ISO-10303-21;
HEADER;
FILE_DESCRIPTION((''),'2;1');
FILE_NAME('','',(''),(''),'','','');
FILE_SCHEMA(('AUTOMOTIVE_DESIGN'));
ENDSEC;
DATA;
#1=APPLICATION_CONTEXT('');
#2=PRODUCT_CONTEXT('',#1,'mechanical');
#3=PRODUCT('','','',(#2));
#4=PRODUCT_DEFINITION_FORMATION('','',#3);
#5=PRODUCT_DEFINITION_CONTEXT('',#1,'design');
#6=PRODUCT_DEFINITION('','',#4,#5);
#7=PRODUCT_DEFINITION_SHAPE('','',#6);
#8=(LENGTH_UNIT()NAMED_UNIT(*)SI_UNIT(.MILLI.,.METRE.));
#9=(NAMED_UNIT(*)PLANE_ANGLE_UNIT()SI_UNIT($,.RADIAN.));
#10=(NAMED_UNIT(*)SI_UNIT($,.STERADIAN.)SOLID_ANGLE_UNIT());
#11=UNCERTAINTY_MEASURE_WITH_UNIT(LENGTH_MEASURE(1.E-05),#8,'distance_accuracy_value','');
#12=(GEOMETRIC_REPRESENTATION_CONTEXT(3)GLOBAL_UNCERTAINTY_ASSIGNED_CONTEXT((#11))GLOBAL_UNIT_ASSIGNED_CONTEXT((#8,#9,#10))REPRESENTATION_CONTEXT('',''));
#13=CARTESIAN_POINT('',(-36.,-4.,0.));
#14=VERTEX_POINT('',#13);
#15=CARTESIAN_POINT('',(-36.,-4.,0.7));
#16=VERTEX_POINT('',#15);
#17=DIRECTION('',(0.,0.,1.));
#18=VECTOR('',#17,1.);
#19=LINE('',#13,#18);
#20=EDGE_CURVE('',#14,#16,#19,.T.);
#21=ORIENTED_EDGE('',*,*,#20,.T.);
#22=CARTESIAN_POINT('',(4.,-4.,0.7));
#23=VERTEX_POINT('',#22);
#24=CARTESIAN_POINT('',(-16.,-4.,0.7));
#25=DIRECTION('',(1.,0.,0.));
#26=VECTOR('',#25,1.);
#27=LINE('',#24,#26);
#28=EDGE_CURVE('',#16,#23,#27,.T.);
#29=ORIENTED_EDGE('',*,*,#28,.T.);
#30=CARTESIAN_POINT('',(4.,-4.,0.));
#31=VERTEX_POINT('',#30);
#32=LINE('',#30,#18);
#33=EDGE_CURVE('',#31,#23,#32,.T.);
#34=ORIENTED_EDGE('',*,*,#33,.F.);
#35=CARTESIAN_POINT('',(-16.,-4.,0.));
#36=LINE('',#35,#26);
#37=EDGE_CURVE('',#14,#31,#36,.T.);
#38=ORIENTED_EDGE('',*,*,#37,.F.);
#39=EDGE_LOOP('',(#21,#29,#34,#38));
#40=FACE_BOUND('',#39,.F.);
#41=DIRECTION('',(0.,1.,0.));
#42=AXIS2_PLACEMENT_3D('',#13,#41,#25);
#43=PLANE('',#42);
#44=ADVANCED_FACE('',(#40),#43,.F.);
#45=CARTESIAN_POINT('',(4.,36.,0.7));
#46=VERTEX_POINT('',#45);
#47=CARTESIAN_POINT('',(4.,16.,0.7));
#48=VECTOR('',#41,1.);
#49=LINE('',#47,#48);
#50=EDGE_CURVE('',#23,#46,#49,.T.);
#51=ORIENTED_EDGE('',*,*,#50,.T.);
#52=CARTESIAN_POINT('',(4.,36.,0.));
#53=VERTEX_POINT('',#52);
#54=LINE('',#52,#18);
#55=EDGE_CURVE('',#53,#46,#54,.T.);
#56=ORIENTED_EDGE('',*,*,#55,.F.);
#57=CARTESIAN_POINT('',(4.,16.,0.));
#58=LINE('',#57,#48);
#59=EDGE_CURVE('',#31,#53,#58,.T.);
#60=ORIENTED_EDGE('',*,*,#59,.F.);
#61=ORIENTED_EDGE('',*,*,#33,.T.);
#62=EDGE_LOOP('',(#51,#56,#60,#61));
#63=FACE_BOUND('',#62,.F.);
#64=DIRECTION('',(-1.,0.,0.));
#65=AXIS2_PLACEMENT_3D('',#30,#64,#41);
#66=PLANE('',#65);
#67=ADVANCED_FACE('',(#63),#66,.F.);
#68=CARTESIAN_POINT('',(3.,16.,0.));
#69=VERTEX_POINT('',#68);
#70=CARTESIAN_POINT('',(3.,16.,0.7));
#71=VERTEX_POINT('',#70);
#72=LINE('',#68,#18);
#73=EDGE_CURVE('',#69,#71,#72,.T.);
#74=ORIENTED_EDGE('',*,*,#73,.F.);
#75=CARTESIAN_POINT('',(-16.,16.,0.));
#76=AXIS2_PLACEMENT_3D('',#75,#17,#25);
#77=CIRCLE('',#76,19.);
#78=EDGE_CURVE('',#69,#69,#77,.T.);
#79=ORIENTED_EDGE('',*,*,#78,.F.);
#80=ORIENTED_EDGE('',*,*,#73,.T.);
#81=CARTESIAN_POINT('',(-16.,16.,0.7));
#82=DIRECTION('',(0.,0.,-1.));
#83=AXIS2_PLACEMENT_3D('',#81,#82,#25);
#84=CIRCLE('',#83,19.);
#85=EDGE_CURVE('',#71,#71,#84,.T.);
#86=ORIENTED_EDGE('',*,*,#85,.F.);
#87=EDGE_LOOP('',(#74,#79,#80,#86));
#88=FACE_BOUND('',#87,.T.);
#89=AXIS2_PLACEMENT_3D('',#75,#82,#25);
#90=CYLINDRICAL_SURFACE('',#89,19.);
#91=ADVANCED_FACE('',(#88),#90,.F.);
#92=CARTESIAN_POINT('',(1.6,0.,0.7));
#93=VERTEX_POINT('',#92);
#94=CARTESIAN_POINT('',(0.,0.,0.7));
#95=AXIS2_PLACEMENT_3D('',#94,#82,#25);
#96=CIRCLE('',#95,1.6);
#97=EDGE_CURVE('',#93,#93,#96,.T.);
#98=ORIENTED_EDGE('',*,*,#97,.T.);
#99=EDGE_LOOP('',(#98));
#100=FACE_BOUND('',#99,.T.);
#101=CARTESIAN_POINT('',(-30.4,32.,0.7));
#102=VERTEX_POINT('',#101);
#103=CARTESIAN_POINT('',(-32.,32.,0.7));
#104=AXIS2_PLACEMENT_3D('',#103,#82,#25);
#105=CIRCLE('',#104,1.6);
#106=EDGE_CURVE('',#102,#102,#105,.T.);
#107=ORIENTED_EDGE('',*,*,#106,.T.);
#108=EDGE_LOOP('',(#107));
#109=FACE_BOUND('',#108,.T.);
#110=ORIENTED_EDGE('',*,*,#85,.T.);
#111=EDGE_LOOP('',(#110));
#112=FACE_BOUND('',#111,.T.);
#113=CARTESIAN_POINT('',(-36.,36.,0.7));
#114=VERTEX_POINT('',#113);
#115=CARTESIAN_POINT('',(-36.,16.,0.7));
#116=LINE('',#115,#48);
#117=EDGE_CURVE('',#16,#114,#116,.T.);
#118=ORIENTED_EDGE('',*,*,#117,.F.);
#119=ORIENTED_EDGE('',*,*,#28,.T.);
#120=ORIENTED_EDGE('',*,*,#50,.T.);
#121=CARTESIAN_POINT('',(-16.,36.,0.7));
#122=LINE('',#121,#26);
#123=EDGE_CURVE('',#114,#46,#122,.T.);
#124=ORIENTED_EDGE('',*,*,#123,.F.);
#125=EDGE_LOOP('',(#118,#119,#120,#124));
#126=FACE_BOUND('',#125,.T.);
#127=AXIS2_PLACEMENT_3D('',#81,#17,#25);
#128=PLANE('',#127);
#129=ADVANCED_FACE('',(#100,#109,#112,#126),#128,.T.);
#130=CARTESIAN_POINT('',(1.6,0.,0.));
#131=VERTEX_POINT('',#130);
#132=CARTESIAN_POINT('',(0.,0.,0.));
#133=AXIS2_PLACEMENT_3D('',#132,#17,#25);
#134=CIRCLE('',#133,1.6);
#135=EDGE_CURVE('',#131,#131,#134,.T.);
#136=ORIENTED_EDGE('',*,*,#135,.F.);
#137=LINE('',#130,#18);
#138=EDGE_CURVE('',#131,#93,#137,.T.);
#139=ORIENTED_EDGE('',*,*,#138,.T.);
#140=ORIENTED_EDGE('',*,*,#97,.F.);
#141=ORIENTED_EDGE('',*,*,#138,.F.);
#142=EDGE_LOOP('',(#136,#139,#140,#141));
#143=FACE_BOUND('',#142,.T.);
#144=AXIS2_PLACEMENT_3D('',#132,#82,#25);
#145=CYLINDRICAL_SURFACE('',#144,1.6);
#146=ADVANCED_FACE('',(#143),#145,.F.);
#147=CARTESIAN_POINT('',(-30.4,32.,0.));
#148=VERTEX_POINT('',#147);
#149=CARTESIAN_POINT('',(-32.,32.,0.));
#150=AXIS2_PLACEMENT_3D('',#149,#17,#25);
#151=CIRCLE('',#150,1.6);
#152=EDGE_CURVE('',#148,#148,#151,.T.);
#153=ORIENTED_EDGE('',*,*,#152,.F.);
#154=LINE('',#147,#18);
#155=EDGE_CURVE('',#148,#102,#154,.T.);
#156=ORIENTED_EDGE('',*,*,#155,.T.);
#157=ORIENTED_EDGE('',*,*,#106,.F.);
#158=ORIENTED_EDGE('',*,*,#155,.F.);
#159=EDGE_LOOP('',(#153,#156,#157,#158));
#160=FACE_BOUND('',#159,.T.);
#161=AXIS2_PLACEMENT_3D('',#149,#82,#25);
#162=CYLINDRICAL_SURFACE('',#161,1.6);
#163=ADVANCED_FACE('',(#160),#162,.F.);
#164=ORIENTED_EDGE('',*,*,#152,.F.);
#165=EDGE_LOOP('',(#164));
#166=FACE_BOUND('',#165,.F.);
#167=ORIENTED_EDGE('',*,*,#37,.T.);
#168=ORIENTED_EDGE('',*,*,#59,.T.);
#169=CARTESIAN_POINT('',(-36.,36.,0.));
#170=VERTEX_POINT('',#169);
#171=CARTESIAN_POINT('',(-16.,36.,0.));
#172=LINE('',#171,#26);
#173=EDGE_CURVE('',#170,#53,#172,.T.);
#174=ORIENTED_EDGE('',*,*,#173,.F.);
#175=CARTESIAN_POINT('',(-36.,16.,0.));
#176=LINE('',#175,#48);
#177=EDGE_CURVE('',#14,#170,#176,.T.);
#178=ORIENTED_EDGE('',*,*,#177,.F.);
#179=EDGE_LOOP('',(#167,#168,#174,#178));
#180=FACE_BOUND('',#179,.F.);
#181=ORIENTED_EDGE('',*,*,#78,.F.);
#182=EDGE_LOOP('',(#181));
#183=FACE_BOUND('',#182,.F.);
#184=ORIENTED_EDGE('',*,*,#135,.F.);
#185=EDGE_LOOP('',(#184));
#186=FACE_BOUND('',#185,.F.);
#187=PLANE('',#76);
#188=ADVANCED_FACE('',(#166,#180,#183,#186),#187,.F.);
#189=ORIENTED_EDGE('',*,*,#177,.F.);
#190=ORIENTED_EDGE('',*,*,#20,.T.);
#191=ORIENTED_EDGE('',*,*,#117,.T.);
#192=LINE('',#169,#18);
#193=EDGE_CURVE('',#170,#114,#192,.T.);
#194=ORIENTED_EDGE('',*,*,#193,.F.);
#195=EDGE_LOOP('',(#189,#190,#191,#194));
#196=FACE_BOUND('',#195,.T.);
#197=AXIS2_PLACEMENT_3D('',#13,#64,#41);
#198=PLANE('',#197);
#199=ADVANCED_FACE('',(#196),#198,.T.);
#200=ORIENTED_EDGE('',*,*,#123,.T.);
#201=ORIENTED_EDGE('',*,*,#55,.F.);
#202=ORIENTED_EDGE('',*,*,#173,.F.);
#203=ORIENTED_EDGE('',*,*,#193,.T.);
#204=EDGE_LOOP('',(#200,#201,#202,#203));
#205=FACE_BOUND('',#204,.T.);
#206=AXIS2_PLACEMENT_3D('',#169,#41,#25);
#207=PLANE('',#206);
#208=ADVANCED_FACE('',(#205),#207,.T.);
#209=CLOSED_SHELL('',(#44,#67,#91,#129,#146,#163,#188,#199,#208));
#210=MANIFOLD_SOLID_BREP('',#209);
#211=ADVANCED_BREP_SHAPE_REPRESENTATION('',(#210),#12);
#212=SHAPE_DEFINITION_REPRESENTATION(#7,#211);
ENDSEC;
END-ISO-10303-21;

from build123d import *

# Parameters (mm, degrees)
CYLINDER018_R     = 19
CYLINDER018_DEPTH = 10
CYLINDER_R        = 1.6
CYLINDER_DEPTH    = 10
CYLINDER017_R     = 1.6
CYLINDER017_DEPTH = 10
BOX025003_W       = 40
BOX025003_H       = 40
BOX025003_DEPTH   = 0.7


with BuildPart() as cylinder018:
    # Cylinder018 → Cylinder018 (new body)
    with BuildSketch(Plane(origin=(-16, 16, 0), x_dir=(1, 0, 0), z_dir=(0, 0, 1))):
        Circle(CYLINDER018_R)
    extrude(amount=CYLINDER018_DEPTH)


with BuildPart() as cylinder:
    # Cylinder → Cylinder (new body)
    with BuildSketch(Plane.XY):
        Circle(CYLINDER_R)
    extrude(amount=CYLINDER_DEPTH)


with BuildPart() as cylinder017:
    # Cylinder017 → Cylinder017 (new body)
    with BuildSketch(Plane(origin=(-32, 32, 0), x_dir=(1, 0, 0), z_dir=(0, 0, 1))):
        Circle(CYLINDER017_R)
    extrude(amount=CYLINDER017_DEPTH)


with BuildPart() as cut007002001007029003026:
    # Box025003 → Box025003 (new body)
    with BuildSketch(Plane(origin=(-36, -4, 0), x_dir=(1, 0, 0), z_dir=(0, 0, 1))):
        with Locations((20, 20)):
            Rectangle(BOX025003_W, BOX025003_H)
    extrude(amount=BOX025003_DEPTH)

    # Cut007002001007029003024: cut Cylinder017
    add(cylinder017.part, mode=Mode.SUBTRACT)

    # Cut007002001007029003025: cut Cylinder
    add(cylinder.part, mode=Mode.SUBTRACT)

    # Cut007002001007029003026: cut Cylinder018
    add(cylinder018.part, mode=Mode.SUBTRACT)


solid = cut007002001007029003026.part
